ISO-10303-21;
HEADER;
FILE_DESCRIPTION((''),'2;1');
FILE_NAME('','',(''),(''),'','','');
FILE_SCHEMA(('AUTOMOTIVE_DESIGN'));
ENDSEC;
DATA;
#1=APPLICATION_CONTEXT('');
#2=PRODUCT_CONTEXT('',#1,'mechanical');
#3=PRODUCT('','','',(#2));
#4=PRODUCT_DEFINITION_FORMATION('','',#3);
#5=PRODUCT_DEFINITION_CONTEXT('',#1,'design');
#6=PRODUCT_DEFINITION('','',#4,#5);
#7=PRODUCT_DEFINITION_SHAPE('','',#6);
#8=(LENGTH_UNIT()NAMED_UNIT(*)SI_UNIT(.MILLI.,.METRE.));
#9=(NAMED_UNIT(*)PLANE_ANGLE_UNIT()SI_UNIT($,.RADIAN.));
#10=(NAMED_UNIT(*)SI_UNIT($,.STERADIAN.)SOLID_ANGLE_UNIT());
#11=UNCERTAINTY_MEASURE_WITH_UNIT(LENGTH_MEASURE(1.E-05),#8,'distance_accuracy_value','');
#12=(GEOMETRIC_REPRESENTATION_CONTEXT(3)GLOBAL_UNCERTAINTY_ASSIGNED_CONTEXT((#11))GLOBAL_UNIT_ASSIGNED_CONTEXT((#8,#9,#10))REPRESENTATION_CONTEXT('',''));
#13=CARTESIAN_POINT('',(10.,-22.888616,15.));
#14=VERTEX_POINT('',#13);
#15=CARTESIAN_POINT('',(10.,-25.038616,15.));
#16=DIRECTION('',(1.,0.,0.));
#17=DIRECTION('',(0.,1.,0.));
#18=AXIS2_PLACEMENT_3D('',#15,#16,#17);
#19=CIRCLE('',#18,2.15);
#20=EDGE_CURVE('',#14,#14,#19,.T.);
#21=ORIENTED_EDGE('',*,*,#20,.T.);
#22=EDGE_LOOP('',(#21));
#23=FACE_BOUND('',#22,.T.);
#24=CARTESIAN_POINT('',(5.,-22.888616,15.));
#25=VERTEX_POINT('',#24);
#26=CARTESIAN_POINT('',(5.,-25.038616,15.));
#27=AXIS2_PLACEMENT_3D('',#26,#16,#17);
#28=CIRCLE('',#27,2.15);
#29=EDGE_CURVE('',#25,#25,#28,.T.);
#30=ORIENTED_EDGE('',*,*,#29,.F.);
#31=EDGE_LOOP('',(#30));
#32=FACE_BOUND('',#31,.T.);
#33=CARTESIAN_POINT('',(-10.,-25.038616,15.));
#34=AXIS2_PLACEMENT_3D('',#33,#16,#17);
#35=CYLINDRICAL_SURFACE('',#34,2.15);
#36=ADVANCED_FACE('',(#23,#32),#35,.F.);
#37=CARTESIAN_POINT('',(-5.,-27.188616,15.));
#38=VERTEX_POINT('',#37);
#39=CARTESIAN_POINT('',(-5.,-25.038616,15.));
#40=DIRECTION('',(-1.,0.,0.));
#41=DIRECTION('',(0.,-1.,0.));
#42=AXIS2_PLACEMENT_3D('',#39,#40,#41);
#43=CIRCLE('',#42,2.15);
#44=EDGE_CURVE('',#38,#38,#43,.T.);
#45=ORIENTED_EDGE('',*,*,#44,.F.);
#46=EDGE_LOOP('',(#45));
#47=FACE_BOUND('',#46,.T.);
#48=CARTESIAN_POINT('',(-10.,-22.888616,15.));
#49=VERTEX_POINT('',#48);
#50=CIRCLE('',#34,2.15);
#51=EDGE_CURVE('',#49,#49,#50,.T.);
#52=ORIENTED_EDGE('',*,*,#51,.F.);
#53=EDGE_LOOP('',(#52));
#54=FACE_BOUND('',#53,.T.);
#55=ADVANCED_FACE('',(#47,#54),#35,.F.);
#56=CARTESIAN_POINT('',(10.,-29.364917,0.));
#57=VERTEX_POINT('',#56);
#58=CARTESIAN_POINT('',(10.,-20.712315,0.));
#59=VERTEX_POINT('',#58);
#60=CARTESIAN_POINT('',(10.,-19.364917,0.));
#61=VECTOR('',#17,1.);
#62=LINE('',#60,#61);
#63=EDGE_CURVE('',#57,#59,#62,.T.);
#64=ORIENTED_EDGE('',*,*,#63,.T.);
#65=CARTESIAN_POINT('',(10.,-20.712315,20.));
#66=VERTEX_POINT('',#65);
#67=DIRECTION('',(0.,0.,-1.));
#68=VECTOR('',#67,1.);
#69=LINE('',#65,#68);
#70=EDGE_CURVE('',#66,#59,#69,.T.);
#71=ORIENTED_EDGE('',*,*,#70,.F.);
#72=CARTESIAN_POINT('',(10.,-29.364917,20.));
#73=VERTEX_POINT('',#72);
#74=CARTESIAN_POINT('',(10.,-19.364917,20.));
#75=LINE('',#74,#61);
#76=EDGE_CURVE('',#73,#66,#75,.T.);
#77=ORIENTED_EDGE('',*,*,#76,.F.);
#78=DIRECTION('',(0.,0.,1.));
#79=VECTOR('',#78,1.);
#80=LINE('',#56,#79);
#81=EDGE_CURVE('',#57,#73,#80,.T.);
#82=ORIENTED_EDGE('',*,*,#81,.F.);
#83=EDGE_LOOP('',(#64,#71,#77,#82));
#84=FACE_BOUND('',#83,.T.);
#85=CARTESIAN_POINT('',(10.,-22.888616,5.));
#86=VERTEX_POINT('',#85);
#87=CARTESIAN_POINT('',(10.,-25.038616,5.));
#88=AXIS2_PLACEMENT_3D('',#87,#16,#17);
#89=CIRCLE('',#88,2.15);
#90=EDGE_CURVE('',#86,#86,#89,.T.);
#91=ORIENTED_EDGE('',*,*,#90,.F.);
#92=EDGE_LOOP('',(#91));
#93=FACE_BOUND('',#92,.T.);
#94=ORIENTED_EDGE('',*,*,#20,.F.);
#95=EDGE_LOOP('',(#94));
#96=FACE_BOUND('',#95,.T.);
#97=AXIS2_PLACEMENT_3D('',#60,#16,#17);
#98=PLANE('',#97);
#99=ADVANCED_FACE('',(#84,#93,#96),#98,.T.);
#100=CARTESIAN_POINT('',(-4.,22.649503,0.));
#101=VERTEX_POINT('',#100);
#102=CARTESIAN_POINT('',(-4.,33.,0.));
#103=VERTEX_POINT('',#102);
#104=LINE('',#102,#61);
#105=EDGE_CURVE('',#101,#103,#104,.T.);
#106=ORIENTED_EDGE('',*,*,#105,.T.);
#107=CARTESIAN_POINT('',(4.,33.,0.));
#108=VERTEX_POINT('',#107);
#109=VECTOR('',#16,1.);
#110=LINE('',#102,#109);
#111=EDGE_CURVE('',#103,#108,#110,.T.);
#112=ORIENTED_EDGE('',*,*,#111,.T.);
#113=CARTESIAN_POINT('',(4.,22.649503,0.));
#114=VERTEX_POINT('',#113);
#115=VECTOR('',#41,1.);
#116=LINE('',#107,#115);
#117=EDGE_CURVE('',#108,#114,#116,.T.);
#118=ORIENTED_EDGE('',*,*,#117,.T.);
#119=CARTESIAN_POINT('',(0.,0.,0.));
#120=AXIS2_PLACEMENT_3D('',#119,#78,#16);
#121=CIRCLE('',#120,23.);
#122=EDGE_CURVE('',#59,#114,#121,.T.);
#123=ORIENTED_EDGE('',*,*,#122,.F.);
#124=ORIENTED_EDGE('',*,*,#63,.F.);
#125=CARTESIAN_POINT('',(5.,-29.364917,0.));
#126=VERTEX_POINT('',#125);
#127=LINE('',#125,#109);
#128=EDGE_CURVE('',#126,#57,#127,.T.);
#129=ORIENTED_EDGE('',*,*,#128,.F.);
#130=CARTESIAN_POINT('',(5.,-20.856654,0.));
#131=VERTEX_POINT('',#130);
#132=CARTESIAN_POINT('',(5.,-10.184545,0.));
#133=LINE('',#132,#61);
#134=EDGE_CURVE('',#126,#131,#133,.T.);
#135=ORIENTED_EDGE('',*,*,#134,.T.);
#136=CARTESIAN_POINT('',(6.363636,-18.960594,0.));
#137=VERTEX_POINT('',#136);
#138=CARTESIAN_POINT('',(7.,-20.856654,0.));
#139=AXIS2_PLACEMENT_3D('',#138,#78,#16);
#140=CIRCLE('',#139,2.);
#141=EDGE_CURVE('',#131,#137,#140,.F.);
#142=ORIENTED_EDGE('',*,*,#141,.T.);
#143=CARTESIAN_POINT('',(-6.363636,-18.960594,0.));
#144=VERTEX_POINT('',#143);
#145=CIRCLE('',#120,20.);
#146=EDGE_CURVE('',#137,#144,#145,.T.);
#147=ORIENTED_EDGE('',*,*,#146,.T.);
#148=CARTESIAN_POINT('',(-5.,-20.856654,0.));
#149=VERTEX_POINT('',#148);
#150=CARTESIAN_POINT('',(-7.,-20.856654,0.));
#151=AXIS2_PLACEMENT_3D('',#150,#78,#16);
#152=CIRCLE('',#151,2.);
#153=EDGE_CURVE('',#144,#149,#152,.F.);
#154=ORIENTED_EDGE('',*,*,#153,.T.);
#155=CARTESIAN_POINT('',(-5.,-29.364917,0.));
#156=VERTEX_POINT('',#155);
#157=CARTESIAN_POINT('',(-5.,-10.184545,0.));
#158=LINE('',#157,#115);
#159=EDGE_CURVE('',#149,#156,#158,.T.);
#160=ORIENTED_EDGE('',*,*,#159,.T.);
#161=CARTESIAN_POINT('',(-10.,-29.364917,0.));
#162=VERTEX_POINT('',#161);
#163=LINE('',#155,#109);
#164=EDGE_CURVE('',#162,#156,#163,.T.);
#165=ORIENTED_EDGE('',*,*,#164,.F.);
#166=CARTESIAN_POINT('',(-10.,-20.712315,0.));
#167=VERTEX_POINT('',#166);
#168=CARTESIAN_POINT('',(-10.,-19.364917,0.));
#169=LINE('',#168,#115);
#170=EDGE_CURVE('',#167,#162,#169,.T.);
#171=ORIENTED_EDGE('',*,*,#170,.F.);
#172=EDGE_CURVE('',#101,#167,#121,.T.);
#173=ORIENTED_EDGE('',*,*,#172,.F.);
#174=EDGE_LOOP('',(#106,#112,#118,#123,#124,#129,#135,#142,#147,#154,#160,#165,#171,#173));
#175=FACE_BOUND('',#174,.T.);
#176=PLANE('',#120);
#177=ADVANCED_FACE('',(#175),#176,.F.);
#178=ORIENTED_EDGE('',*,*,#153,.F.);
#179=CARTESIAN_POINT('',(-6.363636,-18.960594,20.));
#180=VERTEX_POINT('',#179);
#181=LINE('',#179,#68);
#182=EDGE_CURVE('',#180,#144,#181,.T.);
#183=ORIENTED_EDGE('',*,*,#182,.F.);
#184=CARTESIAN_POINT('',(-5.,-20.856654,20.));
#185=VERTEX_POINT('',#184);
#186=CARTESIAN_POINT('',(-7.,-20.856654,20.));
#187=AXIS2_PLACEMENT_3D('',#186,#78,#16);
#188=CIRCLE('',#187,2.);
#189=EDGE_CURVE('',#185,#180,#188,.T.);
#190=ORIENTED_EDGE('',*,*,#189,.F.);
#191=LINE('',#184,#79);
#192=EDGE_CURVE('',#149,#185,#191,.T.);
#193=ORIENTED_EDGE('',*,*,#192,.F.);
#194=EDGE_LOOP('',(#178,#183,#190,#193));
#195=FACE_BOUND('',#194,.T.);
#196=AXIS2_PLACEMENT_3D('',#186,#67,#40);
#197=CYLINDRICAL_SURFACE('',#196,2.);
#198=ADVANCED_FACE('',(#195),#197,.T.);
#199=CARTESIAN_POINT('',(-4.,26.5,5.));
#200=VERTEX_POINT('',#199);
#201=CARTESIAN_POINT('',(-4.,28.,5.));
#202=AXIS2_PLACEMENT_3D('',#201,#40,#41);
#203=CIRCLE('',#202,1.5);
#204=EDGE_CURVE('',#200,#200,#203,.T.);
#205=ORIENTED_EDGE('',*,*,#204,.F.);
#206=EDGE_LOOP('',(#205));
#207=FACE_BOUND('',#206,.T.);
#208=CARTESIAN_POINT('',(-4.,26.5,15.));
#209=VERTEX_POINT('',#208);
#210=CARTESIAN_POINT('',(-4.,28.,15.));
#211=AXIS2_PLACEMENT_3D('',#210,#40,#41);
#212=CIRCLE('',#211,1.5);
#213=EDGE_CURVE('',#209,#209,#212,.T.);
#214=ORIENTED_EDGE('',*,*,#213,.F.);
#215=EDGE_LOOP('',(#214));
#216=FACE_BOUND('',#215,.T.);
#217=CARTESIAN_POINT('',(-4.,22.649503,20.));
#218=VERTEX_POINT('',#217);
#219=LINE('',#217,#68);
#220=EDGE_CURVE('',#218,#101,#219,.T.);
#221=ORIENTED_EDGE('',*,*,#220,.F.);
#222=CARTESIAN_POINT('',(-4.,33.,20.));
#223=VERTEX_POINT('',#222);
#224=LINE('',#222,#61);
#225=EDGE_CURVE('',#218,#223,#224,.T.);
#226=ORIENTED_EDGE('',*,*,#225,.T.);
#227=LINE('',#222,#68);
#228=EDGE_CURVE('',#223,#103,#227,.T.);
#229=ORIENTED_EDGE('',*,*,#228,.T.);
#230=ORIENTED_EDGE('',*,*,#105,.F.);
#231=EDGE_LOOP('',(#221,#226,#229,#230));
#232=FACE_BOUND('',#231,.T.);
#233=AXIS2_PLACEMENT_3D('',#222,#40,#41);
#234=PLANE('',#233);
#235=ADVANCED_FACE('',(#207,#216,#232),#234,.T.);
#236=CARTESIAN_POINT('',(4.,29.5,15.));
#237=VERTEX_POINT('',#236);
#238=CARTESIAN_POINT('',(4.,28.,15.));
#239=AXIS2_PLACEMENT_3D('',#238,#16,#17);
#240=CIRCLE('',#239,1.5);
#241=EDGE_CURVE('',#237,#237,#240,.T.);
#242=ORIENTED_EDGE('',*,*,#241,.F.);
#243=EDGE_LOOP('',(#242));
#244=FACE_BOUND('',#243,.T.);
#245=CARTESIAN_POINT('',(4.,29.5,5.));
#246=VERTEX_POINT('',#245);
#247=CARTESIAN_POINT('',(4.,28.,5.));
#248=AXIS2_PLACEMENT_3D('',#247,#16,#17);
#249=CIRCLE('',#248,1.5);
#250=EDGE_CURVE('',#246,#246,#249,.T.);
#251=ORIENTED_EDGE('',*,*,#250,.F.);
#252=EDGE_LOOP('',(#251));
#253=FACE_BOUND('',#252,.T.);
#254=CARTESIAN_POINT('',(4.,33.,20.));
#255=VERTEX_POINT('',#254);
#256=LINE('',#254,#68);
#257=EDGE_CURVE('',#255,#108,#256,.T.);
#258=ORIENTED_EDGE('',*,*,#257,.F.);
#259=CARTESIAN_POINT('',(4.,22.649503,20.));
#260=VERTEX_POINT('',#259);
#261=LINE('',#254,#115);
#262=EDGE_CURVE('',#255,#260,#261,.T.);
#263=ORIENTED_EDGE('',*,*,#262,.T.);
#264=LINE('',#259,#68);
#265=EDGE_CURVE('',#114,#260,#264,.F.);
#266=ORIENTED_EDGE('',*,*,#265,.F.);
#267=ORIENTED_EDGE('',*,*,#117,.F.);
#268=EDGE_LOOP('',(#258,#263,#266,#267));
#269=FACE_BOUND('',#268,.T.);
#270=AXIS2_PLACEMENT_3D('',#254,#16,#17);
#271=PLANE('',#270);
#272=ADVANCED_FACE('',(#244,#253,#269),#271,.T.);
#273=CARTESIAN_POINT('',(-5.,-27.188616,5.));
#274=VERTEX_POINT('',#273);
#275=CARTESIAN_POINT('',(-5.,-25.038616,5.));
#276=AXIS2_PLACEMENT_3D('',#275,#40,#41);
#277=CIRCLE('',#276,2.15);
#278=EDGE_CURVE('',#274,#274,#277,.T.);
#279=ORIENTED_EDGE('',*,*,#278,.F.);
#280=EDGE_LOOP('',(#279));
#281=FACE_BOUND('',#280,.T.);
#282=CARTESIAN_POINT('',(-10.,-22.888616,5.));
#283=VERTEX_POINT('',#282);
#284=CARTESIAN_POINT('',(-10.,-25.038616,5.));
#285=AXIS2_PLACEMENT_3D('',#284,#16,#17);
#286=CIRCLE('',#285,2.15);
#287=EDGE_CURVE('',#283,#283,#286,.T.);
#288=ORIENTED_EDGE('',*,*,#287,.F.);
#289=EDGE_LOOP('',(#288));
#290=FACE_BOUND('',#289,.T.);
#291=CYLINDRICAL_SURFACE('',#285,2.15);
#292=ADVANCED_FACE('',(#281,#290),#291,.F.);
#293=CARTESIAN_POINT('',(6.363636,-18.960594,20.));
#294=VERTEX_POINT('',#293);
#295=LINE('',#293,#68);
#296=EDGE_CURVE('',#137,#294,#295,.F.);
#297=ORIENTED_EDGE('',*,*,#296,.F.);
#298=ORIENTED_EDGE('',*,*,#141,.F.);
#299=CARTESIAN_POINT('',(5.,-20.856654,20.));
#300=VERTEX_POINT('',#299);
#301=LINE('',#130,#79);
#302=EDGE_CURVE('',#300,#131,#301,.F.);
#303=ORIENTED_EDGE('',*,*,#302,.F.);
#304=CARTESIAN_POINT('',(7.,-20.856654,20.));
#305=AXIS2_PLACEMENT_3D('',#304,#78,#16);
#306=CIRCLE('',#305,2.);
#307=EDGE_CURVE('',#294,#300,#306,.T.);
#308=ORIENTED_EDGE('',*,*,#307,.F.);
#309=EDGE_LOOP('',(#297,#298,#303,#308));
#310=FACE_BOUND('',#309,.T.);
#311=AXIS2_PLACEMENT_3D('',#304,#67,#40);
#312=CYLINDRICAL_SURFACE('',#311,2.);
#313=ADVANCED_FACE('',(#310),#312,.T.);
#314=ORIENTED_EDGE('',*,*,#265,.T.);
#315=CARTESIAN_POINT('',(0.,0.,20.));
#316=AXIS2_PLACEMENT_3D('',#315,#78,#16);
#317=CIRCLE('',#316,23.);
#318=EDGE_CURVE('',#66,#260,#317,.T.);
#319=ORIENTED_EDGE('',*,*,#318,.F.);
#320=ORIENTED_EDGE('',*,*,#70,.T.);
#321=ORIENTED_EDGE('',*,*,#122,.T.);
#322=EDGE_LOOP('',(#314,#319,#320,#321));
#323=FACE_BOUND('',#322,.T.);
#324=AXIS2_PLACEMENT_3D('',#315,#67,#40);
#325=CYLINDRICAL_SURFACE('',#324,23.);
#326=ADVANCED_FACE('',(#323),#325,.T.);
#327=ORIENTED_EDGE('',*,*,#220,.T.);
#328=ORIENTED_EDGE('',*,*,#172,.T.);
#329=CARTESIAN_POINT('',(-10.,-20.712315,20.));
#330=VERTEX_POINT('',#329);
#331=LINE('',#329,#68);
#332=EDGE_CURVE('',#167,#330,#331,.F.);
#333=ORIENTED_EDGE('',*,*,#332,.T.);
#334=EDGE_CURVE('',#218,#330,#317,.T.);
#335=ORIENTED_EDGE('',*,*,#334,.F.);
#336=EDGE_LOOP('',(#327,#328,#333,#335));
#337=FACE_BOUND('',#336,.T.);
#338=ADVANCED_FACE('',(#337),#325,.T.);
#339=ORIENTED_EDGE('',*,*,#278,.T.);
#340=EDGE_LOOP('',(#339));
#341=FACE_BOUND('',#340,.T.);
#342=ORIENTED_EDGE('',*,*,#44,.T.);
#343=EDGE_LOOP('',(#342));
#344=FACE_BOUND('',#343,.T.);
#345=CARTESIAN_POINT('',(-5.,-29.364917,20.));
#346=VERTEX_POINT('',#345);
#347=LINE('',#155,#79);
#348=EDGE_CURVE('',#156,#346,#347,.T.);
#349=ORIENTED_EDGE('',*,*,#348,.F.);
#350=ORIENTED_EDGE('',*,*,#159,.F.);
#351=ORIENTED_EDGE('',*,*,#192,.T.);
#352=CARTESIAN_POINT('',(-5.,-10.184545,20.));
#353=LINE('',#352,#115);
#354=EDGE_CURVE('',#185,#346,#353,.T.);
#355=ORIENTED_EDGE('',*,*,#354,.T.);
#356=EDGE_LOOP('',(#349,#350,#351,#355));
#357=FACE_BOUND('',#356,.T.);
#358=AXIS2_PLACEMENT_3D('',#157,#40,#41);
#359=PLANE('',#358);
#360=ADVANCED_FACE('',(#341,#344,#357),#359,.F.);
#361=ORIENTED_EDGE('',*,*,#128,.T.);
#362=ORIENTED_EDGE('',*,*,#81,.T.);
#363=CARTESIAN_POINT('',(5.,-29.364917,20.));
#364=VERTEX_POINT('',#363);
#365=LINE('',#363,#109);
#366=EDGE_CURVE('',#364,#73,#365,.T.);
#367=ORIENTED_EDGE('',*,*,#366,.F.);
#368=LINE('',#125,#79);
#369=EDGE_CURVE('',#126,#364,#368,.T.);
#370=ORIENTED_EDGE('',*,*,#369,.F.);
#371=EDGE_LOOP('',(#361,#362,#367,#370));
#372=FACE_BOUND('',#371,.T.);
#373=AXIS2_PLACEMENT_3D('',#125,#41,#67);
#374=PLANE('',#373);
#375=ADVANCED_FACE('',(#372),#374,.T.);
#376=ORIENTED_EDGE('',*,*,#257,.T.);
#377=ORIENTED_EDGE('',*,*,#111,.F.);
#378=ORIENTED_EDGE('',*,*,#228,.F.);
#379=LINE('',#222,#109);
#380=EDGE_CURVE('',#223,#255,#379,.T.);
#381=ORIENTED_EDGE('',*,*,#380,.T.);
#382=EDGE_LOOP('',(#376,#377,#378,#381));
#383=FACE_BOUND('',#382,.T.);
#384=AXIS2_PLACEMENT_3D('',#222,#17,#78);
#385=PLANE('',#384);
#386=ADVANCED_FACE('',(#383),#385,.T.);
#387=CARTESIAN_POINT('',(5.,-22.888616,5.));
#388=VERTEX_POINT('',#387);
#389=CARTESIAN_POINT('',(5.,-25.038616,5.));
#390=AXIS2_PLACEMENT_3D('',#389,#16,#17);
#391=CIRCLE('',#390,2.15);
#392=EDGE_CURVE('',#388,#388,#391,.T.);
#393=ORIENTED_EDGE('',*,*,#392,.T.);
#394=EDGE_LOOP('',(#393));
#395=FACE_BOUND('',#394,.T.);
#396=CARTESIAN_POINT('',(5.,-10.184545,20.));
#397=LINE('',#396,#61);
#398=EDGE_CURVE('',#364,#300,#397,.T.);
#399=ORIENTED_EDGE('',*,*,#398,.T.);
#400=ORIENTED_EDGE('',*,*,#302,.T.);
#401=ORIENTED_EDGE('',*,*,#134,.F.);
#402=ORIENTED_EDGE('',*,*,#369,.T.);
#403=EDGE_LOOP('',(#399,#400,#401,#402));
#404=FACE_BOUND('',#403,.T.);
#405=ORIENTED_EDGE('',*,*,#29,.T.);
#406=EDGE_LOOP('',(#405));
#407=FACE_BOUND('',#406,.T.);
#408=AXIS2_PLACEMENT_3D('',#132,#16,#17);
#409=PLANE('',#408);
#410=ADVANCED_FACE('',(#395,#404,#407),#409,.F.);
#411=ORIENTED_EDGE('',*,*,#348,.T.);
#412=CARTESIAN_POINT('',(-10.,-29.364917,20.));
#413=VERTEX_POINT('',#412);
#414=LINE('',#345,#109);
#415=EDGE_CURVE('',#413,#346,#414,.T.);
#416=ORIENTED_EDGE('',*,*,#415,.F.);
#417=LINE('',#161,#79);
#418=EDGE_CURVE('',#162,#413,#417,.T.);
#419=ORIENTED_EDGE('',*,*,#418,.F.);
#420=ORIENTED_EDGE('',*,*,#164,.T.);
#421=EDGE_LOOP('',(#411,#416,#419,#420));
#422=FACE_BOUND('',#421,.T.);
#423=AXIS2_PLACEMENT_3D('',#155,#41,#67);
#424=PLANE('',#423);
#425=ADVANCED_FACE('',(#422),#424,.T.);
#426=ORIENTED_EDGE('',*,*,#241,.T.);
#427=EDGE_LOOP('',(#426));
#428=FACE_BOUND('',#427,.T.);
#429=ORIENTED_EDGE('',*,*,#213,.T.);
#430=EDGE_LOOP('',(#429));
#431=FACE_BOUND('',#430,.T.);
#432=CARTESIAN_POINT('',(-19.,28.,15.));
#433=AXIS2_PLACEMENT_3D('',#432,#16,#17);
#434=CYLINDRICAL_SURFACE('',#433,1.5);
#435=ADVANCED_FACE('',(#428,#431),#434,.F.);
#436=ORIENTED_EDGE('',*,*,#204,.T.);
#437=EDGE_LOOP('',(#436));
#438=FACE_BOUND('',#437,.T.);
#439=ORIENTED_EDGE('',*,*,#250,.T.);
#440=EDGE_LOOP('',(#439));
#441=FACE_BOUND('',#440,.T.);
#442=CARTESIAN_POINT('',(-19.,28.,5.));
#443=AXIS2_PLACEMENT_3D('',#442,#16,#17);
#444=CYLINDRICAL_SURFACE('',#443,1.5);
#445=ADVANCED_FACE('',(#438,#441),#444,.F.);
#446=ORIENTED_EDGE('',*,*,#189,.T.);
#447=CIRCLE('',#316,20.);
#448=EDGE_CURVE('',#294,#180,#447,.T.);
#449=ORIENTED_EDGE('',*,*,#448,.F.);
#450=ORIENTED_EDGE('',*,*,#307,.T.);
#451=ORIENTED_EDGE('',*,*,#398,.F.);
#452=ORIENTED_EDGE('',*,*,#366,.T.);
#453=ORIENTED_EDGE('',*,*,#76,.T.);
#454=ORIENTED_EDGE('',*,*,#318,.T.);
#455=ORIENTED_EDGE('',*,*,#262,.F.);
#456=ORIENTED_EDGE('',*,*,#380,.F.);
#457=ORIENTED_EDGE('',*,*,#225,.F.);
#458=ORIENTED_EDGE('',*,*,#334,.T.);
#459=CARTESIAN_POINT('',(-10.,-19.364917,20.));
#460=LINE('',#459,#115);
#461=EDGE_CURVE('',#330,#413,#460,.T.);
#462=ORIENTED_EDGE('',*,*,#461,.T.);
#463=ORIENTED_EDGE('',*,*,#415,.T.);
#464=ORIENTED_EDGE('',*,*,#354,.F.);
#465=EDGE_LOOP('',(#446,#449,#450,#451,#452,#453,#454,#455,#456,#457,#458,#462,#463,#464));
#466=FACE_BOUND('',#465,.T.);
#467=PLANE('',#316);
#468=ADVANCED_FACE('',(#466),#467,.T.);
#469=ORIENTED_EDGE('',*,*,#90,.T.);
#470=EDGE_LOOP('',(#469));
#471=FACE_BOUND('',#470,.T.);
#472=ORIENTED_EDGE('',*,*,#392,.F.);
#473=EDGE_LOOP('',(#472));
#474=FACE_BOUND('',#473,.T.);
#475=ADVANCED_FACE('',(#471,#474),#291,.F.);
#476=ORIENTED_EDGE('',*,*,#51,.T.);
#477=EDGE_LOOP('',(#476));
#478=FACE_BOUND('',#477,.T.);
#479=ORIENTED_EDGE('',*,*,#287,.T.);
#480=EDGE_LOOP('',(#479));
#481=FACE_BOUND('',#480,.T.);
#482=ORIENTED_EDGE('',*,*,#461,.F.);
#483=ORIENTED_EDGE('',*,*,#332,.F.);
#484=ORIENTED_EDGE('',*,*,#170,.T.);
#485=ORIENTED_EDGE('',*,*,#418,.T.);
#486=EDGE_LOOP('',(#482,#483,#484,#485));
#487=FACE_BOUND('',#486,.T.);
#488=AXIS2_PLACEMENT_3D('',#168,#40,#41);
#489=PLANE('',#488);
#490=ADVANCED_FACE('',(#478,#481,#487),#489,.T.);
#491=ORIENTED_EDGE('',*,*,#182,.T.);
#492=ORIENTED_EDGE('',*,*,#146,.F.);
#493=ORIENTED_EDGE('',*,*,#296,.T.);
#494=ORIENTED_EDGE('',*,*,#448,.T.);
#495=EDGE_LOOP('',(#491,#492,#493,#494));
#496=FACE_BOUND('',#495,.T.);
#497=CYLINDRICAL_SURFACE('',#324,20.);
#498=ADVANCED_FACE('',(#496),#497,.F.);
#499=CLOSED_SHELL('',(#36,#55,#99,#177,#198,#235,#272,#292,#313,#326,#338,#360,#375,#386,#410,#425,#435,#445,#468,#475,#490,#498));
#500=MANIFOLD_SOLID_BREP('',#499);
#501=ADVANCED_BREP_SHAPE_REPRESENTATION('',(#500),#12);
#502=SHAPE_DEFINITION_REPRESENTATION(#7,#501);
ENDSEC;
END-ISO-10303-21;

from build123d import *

# Parameters (mm, degrees)
SKETCH_1_R          = 23
SKETCH_1_R_2        = 20
EXTRUDE_1_DEPTH     = 20
SKETCH_2_W          = 10
SKETCH_2_H          = 19.630909826
CUT_EXTRUDE_1_DEPTH = 20
SKETCH_3_W          = 5
SKETCH_3_H          = 10
EXTRUDE_2_DEPTH     = 20
FILLET_1_R          = 2
SKETCH_4_R          = 2.15
CUT_EXTRUDE_2_DEPTH = 20
SKETCH_5_W          = 8
SKETCH_5_H          = 11
EXTRUDE_3_DEPTH     = 20
SKETCH_6_R          = 1.5
CUT_EXTRUDE_3_DEPTH = 23


with BuildPart() as part:
    # 草图1 → 凸台-拉伸1 (new body)
    with BuildSketch(Plane.XY):
        Circle(SKETCH_1_R)
        Circle(SKETCH_1_R_2, mode=Mode.SUBTRACT)
    extrude(amount=EXTRUDE_1_DEPTH)

    # 草图2 → 切除-拉伸1 (cut)
    with BuildSketch(Plane.XY.offset(20)):
        with Locations((0, -20)):
            Rectangle(SKETCH_2_W, SKETCH_2_H)
    extrude(amount=-CUT_EXTRUDE_1_DEPTH, mode=Mode.SUBTRACT)

    # 草图3 → 凸台-拉伸2 (add)
    with BuildSketch(Plane.XY.offset(20)):
        with Locations((-7.5, -24.364916731)):
            Rectangle(SKETCH_3_W, SKETCH_3_H)
        with Locations((7.5, -24.364916731)):
            Rectangle(SKETCH_3_W, SKETCH_3_H)
    extrude(amount=-EXTRUDE_2_DEPTH)

    # 圆角1
    fillet_1_edges = [part.edges().sort_by_distance(p)[0] for p in [
        (5, -19.364916731, 10),
        (-5, -19.364916731, 10),
    ]]
    fillet(fillet_1_edges, radius=FILLET_1_R)

    # 草图4 → 切除-拉伸2 (cut)
    with BuildSketch(Plane(origin=(10, 0, 0), x_dir=(0, 0, -1), z_dir=(1, 0, 0))):
        with Locations(Location((-15, -25.038615954, 0), (0, 0, 90))):
            Circle(SKETCH_4_R)
        with Locations(Location((-5, -25.038615954, 0), (0, 0, 90))):
            Circle(SKETCH_4_R)
    extrude(amount=-CUT_EXTRUDE_2_DEPTH, mode=Mode.SUBTRACT)

    # 草图5 → 凸台-拉伸3 (add)
    with BuildSketch(Plane(origin=(0, 0, 0), x_dir=(-1, 0, 0), z_dir=(0, 0, -1))):
        with Locations((0, 27.5)):
            Rectangle(SKETCH_5_W, SKETCH_5_H)
    extrude(amount=-EXTRUDE_3_DEPTH)

    # 草图6 → 切除-拉伸3 (cut)
    with BuildSketch(Plane(origin=(4, 0, 0), x_dir=(0, 0, -1), z_dir=(1, 0, 0))):
        with Locations(Location((-5, 28, 0), (0, 0, 90))):
            Circle(SKETCH_6_R)
        with Locations(Location((-15, 28, 0), (0, 0, 90))):
            Circle(SKETCH_6_R)
    extrude(amount=-CUT_EXTRUDE_3_DEPTH, mode=Mode.SUBTRACT)


solid = part.part
